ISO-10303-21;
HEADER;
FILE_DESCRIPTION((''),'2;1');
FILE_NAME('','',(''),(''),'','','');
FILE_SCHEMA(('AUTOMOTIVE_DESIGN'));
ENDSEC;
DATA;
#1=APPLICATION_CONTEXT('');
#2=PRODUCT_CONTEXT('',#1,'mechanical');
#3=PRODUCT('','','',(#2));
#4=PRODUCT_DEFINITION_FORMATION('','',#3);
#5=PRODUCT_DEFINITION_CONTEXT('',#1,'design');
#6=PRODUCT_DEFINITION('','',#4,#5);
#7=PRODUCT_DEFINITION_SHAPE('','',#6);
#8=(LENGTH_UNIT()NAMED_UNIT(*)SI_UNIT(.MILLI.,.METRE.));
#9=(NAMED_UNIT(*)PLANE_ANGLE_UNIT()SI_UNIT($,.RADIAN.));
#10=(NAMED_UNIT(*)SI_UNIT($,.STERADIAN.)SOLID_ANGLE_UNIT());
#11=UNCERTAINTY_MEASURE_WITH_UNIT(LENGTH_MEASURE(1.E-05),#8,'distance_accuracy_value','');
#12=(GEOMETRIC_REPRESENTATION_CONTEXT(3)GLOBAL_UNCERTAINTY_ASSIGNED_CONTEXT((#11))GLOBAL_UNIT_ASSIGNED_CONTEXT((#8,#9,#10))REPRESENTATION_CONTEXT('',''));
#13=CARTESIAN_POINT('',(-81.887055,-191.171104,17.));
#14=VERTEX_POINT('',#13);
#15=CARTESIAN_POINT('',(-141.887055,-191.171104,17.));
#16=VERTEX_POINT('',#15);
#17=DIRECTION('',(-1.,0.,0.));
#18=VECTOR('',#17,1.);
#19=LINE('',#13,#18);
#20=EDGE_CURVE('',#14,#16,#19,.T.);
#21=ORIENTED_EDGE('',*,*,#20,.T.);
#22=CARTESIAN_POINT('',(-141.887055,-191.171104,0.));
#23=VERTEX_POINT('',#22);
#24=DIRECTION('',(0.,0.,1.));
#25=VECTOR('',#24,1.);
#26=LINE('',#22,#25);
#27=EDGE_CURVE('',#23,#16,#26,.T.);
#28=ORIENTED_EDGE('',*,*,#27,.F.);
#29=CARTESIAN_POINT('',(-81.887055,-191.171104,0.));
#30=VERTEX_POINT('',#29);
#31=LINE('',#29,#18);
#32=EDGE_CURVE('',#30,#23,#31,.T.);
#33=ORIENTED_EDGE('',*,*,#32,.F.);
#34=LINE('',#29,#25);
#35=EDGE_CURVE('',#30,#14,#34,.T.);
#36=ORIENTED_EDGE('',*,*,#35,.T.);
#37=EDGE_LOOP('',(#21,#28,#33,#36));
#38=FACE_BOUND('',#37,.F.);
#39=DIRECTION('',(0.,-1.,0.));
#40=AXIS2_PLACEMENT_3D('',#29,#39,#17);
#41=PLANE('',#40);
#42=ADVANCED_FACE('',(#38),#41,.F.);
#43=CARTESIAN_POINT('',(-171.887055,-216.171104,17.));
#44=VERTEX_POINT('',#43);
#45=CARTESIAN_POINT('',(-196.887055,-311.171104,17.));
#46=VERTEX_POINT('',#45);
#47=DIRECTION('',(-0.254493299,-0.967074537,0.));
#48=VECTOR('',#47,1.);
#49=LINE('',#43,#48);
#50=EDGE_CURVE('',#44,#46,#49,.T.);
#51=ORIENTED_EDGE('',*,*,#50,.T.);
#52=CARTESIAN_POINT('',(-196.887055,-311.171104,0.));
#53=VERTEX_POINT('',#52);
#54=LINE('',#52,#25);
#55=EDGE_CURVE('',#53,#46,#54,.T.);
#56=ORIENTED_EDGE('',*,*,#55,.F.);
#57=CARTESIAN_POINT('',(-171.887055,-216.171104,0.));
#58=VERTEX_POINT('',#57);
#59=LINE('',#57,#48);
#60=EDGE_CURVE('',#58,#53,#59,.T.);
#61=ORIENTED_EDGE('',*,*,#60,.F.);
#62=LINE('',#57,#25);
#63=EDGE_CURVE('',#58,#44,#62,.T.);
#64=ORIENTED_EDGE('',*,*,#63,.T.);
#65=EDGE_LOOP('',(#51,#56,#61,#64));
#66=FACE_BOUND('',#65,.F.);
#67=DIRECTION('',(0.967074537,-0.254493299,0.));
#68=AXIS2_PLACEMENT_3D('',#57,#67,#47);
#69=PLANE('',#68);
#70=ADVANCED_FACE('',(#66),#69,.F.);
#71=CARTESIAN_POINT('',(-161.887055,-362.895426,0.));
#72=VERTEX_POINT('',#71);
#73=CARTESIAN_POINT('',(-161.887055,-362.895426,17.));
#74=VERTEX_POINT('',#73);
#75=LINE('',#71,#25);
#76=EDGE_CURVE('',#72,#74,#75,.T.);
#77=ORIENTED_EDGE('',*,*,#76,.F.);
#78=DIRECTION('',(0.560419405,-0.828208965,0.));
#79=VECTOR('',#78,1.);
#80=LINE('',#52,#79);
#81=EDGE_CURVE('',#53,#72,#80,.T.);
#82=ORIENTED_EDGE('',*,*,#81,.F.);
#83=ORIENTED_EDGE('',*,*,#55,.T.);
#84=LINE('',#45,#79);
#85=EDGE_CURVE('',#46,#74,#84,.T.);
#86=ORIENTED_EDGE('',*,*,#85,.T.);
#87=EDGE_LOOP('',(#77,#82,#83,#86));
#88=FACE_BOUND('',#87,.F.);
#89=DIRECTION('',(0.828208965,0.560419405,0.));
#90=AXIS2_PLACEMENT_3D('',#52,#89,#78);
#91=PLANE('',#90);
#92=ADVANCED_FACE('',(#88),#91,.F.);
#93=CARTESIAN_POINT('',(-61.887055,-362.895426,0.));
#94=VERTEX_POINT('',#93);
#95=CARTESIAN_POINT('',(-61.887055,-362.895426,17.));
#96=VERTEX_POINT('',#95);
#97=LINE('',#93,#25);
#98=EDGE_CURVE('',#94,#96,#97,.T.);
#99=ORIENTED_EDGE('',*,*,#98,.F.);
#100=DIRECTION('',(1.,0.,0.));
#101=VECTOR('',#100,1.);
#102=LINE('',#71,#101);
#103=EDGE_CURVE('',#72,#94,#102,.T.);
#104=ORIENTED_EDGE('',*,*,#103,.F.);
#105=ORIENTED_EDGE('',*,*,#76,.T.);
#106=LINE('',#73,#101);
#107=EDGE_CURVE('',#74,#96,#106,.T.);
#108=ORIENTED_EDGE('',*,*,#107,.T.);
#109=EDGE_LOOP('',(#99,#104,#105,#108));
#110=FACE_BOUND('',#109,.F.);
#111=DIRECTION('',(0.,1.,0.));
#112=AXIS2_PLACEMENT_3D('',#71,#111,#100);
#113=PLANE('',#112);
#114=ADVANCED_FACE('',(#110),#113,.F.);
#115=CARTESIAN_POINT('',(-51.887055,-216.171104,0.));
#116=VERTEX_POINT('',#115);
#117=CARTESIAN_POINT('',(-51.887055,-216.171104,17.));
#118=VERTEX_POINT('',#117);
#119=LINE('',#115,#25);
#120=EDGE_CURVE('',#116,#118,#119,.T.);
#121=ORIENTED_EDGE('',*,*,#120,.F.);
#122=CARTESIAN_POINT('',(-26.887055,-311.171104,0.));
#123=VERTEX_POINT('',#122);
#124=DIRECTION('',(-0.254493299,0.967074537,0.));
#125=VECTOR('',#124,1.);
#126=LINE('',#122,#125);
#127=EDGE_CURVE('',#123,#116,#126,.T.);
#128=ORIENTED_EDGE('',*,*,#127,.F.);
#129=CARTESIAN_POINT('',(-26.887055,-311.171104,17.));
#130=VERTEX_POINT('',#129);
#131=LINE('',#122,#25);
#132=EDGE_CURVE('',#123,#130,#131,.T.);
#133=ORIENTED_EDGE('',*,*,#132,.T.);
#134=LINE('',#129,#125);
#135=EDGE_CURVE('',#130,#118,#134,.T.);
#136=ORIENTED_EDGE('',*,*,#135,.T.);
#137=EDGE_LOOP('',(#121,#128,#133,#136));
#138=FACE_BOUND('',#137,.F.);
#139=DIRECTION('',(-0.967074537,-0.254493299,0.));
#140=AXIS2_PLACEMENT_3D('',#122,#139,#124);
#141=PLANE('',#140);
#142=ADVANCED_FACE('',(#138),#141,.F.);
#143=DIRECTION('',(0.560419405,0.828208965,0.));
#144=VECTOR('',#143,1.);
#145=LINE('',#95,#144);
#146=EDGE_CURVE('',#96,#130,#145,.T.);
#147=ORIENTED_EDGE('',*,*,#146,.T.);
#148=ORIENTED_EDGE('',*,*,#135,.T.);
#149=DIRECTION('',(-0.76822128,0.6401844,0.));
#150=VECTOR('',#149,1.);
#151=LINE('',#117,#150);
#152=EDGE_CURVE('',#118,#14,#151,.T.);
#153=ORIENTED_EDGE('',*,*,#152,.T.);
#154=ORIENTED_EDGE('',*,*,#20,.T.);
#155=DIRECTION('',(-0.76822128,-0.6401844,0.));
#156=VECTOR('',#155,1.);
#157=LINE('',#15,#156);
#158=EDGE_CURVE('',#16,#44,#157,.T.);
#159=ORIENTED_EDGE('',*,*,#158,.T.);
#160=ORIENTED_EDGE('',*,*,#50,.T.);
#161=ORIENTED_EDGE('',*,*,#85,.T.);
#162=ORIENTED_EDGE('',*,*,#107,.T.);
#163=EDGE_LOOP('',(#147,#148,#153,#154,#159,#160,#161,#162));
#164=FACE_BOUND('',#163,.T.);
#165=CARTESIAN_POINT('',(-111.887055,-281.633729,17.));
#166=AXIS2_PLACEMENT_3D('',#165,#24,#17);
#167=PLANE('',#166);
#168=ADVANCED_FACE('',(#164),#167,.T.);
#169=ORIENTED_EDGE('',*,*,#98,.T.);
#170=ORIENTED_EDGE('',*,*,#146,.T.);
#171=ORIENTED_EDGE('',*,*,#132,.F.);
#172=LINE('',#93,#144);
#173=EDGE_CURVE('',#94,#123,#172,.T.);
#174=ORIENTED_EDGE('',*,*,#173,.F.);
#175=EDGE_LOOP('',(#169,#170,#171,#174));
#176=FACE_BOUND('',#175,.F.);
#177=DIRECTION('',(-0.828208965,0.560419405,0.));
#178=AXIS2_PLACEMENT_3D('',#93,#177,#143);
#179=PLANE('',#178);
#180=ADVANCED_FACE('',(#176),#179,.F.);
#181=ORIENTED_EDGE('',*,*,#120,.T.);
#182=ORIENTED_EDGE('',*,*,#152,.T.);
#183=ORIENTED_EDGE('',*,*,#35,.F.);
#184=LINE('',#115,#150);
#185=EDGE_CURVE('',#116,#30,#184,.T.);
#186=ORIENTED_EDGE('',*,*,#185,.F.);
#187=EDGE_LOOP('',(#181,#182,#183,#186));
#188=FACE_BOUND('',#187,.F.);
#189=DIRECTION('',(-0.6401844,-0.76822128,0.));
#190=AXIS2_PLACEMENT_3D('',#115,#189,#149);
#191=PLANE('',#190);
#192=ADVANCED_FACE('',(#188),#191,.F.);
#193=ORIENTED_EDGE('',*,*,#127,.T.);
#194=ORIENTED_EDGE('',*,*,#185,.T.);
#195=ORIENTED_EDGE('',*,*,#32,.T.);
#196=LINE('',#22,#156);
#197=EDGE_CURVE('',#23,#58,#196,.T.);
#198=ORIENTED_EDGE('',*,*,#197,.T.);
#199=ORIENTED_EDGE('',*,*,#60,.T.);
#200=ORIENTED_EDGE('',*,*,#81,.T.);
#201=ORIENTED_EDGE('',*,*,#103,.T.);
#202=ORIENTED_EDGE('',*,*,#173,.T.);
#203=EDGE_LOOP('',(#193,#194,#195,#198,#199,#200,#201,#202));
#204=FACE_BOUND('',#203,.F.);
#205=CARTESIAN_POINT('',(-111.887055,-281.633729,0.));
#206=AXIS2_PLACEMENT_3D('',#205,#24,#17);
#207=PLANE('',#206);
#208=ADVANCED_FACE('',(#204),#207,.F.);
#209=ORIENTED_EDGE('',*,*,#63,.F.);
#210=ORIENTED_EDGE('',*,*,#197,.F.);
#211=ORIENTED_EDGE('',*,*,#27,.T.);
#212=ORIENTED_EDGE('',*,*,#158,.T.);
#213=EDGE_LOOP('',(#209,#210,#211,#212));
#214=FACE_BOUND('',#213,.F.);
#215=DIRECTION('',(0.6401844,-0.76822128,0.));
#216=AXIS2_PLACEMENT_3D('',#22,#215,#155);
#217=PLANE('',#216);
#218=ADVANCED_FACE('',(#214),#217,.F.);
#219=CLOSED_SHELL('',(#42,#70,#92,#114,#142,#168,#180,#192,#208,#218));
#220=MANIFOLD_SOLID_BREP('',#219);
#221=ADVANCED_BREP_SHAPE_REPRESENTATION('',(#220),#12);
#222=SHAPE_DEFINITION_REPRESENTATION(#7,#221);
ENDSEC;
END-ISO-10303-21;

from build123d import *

# Parameters (mm, degrees)
F1_DEPTH = 17
F2_ANGLE = 180


with BuildPart() as f1:
    # F0 (on Top) → F1 (new body)
    with BuildSketch(Plane.XY):
        Polygon((-256.887055, -71.171104), (-231.887055, -166.171104), (-201.887055, -191.171104), (-141.887055, -191.171104), (-111.887055, -166.171104), (-86.887055, -71.171104), (-121.887055, -19.446782), (-221.887055, -19.446782), align=None)
    extrude(amount=F1_DEPTH)


with BuildPart() as f1_1:
    # F2: moved
    add(f1.part.rotate(Axis((-141.887055, -191.171104, 8.5), (0, 0, 1)), F2_ANGLE))


solid = f1_1.part
